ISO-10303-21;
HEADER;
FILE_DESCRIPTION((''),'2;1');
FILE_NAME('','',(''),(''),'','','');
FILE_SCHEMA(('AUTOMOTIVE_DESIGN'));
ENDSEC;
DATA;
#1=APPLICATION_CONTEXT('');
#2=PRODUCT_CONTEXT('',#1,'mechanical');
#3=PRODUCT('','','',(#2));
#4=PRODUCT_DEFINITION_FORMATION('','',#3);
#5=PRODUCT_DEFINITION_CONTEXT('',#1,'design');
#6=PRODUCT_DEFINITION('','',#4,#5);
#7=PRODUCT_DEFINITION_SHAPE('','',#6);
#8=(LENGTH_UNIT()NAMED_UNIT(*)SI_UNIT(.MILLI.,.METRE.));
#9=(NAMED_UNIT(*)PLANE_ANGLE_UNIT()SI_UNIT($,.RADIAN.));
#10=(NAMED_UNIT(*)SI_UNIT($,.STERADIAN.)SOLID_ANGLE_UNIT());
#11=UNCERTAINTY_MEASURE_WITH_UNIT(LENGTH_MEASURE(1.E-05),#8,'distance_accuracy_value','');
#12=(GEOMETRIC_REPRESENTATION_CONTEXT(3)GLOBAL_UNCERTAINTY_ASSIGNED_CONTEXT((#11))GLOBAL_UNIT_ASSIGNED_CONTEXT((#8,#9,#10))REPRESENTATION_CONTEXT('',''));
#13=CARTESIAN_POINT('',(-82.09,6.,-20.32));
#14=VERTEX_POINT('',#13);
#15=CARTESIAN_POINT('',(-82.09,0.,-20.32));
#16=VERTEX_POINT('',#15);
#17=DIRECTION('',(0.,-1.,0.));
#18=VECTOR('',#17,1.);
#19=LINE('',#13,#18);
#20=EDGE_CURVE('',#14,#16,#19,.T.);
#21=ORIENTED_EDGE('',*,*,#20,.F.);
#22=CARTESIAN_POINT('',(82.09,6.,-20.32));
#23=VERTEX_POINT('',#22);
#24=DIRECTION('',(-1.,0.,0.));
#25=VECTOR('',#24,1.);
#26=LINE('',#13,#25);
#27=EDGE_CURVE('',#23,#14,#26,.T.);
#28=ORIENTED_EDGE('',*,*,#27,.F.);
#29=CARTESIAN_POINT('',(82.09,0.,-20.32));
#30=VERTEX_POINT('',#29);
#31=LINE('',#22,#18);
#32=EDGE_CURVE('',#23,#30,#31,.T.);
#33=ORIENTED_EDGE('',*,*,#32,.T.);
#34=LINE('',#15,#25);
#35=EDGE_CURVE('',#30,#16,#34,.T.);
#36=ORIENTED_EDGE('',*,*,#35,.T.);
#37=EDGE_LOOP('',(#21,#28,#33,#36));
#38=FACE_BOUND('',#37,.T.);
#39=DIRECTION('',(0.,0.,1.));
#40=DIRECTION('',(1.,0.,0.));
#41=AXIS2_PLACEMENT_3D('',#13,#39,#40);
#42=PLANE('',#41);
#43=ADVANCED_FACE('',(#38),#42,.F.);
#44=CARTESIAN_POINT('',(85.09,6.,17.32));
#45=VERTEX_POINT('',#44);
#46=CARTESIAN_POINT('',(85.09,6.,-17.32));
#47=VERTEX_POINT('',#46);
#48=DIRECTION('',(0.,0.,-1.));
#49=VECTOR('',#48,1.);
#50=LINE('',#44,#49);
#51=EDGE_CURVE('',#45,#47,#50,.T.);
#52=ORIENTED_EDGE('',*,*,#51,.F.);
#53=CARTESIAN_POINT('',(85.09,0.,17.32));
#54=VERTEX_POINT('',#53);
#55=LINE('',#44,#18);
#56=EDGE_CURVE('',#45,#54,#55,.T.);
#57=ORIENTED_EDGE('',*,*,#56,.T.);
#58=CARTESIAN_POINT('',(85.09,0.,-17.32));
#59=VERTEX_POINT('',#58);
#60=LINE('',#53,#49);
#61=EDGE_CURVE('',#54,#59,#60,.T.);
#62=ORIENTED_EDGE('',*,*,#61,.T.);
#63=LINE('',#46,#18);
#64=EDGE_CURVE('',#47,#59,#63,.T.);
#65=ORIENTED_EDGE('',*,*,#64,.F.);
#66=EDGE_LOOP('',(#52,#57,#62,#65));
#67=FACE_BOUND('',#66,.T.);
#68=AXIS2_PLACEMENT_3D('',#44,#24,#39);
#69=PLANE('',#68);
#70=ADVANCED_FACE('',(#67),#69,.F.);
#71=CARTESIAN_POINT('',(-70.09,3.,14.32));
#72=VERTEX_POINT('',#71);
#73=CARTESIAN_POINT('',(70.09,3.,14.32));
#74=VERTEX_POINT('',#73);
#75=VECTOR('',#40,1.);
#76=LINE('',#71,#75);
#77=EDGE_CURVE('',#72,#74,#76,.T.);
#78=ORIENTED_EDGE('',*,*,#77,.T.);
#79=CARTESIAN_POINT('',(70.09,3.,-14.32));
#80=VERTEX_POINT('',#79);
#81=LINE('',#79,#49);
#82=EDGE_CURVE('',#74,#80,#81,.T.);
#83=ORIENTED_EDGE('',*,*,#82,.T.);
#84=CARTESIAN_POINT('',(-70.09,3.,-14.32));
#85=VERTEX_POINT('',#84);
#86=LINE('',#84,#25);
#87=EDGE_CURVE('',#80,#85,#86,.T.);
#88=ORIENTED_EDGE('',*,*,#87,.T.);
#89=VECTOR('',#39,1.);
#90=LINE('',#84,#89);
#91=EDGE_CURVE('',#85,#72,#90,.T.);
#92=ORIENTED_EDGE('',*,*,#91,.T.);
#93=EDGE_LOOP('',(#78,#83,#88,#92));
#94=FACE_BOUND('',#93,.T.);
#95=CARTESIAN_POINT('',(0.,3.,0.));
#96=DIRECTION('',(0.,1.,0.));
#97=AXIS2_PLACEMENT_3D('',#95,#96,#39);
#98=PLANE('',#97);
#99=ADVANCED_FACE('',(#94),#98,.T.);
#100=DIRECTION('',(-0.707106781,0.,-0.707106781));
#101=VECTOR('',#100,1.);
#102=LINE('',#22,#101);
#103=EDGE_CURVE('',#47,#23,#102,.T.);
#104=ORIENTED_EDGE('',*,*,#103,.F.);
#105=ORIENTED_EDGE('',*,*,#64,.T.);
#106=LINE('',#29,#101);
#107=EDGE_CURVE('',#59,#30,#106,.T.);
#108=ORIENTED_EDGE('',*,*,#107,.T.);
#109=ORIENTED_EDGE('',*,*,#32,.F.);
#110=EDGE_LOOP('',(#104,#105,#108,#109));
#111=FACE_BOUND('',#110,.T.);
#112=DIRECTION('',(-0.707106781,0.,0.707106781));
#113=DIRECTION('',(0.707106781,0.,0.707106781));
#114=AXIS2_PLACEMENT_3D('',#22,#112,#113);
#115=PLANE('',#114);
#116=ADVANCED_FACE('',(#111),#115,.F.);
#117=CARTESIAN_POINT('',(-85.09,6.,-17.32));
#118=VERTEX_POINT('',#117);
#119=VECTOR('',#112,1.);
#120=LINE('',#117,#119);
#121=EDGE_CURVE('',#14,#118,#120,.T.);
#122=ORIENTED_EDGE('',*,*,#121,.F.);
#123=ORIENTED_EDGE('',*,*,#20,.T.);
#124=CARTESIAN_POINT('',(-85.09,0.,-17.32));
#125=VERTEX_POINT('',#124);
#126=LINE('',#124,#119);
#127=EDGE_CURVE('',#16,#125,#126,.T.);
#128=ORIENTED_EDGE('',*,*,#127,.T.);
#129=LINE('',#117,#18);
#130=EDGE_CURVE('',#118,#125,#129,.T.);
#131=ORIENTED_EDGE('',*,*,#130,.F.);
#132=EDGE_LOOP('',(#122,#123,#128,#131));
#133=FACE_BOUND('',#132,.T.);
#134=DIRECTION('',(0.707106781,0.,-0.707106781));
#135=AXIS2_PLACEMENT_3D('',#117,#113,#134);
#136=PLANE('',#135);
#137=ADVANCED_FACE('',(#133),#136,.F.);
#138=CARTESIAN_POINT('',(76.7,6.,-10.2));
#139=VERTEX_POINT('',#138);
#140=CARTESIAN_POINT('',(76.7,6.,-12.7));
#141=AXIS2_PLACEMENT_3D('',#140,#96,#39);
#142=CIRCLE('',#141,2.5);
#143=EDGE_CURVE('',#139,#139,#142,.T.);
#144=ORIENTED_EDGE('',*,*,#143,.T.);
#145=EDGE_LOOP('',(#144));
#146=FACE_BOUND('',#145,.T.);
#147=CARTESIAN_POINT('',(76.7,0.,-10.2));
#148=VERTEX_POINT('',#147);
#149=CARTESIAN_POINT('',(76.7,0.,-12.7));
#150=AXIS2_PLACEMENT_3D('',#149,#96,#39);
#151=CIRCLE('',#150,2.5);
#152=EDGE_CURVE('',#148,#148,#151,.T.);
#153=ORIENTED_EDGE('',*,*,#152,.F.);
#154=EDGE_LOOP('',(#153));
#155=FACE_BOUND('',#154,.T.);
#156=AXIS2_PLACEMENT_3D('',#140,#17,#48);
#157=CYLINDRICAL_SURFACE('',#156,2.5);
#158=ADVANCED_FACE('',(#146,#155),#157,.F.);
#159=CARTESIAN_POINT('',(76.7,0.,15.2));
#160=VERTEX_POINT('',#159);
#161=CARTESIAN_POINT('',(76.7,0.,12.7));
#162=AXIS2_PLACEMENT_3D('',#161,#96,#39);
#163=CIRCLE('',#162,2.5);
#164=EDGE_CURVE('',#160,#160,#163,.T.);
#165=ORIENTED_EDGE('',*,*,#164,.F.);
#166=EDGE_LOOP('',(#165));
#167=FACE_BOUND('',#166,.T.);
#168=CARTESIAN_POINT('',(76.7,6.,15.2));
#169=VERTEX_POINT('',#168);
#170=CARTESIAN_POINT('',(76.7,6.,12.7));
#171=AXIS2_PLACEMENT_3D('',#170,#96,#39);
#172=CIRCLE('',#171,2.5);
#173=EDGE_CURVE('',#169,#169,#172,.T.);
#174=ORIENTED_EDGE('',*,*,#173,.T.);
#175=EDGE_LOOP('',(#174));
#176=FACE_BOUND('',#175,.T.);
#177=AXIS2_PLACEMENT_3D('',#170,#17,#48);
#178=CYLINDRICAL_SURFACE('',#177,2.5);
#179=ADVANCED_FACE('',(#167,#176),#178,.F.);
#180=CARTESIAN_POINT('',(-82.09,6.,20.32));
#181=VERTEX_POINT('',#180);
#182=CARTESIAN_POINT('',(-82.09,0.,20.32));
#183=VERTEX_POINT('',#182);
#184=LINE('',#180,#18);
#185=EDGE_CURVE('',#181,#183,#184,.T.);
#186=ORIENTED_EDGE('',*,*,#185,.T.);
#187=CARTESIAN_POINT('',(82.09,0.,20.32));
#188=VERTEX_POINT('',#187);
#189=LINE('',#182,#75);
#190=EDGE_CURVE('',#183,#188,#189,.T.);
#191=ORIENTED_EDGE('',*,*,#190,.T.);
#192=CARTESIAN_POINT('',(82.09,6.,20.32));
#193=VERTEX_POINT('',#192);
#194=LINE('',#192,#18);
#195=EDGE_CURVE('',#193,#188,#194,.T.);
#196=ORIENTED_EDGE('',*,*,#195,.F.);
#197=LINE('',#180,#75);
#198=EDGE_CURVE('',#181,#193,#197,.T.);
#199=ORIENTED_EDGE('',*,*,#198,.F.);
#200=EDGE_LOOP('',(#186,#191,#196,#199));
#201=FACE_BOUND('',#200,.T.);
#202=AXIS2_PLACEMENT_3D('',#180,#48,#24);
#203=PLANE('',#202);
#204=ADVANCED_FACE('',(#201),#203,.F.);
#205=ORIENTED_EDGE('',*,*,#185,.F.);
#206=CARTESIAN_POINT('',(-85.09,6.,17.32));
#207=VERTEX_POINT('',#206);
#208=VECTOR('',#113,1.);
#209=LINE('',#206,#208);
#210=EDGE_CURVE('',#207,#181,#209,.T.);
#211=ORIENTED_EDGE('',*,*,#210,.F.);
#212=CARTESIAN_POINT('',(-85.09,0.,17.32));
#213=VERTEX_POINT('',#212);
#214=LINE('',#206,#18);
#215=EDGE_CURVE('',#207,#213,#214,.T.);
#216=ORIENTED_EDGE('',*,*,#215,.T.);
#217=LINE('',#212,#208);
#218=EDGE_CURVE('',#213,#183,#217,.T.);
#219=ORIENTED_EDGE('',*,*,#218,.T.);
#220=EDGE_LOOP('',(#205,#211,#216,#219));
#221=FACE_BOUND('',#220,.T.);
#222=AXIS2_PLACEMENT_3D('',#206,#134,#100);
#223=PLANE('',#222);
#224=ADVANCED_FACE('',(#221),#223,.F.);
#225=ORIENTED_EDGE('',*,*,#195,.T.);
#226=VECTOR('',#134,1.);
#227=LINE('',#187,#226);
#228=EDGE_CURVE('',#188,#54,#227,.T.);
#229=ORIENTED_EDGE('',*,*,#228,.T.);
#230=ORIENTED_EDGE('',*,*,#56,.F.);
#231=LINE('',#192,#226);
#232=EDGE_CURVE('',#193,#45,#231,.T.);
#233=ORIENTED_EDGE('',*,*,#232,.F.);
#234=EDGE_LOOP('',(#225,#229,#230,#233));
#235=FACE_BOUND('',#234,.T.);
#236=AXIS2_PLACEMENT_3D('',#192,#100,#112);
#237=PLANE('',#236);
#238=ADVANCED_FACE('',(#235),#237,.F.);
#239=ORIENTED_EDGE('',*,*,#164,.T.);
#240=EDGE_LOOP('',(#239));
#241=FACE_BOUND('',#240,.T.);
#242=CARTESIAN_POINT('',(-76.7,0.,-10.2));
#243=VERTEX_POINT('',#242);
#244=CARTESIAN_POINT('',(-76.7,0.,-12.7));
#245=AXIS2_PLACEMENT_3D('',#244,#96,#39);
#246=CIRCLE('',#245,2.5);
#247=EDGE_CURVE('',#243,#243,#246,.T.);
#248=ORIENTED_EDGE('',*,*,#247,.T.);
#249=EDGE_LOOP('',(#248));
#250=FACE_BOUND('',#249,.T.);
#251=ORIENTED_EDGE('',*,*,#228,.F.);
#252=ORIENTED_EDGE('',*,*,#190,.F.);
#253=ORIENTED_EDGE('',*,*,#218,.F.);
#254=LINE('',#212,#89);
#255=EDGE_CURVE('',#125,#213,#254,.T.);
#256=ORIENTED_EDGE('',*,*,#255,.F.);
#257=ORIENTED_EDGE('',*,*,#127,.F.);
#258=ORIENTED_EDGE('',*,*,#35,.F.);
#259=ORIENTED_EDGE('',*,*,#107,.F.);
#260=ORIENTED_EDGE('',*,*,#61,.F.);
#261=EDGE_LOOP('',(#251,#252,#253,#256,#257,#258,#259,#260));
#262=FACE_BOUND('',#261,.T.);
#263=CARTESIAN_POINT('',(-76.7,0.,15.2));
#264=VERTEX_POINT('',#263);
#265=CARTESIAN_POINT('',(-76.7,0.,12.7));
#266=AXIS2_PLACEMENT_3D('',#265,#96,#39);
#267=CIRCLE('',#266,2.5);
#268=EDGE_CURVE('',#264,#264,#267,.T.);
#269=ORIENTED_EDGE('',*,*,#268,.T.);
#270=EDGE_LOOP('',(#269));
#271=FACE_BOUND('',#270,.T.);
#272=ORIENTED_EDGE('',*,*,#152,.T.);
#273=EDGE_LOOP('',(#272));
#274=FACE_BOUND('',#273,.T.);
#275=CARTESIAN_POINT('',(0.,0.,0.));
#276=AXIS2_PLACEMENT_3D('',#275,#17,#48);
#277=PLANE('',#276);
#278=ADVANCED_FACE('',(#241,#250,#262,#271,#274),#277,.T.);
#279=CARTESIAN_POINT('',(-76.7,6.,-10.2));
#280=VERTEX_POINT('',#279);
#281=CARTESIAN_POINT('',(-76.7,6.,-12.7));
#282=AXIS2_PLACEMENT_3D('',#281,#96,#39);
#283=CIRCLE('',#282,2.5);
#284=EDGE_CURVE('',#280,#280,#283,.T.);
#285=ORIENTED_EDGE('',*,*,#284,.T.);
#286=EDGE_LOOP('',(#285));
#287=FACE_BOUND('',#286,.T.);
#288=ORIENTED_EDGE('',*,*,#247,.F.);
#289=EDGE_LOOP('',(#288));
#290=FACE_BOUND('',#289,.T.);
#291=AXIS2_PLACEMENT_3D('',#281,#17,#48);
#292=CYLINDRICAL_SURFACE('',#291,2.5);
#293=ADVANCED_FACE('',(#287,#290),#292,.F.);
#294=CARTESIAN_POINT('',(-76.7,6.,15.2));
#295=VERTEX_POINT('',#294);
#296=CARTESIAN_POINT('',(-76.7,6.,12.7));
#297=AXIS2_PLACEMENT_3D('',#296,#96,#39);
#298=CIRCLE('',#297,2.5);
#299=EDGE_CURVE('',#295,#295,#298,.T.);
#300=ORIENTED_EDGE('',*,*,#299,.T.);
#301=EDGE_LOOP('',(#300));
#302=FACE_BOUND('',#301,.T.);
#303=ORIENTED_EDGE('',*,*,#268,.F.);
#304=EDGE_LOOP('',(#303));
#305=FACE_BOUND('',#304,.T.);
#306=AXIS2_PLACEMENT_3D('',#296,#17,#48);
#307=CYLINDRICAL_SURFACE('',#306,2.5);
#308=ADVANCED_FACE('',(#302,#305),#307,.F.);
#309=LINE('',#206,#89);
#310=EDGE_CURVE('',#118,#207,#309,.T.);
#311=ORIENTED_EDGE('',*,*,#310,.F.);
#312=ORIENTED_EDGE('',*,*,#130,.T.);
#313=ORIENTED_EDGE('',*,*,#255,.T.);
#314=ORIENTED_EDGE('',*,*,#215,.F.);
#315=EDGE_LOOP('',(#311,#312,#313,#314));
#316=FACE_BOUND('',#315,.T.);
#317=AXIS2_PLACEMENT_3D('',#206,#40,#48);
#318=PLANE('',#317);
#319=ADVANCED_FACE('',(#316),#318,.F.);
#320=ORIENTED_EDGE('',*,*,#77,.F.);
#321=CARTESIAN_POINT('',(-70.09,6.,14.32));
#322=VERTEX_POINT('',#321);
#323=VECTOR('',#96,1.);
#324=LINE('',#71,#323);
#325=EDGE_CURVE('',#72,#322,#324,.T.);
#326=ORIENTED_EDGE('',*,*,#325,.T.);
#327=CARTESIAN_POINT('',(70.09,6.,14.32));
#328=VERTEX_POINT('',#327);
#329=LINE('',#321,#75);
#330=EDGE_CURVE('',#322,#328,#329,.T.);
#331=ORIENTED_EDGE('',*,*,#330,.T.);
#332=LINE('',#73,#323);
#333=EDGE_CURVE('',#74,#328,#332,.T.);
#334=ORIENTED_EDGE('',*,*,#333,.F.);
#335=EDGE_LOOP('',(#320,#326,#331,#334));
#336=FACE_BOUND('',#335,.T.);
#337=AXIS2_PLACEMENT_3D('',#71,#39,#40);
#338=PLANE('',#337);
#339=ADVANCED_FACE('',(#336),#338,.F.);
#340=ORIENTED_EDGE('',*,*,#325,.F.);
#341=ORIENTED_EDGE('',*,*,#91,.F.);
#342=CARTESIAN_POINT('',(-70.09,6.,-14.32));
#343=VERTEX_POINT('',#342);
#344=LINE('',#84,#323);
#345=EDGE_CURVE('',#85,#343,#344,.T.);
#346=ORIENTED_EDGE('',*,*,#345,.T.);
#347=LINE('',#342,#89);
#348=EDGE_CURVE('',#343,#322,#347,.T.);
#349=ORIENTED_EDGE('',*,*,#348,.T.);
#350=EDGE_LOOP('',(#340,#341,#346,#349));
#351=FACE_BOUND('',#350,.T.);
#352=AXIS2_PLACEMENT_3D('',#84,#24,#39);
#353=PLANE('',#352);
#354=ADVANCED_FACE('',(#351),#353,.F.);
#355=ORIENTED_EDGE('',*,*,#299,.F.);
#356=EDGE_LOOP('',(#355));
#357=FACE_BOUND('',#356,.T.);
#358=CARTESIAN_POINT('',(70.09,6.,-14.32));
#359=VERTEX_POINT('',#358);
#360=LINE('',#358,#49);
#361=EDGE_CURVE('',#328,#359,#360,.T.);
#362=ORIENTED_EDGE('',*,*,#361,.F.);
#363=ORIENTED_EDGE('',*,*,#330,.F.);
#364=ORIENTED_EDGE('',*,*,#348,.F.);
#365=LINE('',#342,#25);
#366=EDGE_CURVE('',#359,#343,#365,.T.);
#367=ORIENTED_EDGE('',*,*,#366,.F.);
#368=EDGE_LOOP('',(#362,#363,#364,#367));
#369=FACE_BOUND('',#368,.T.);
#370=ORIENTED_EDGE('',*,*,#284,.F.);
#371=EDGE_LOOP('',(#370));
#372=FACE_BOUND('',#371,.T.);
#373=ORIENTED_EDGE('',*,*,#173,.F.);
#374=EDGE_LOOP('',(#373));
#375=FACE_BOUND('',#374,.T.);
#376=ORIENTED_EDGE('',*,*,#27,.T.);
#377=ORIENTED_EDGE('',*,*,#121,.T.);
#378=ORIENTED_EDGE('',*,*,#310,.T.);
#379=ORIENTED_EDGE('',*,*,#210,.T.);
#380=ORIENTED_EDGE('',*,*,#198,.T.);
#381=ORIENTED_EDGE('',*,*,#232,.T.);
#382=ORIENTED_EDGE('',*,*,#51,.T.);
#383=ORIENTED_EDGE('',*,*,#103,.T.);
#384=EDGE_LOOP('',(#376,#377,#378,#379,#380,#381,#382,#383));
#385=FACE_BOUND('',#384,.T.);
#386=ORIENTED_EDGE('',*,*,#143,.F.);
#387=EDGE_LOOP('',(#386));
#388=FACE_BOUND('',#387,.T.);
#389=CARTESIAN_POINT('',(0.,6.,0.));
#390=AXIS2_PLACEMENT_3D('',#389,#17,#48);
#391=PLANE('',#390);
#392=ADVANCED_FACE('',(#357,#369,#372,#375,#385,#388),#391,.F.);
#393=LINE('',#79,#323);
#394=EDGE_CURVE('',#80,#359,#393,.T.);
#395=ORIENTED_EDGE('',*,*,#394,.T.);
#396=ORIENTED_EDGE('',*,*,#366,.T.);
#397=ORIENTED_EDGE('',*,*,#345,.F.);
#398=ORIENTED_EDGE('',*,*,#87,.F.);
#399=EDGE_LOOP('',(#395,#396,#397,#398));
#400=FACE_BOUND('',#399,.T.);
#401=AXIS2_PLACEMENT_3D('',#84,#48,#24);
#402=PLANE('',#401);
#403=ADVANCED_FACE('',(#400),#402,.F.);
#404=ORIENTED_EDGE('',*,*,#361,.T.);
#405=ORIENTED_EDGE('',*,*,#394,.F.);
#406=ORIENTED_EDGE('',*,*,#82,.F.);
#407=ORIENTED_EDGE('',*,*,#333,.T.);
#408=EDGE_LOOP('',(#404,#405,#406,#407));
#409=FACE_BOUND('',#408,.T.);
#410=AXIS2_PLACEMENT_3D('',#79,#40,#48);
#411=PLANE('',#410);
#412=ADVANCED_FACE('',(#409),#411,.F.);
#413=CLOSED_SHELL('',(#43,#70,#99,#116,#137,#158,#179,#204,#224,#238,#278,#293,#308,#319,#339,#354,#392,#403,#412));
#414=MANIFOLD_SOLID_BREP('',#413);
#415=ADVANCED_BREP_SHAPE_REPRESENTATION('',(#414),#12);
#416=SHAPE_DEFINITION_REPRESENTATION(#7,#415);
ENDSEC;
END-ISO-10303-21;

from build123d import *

# Parameters (mm, degrees)
SKETCH1_R           = 2.5
BOSS_EXTRUDE2_DEPTH = 6
SKETCH2_W           = 140.18
SKETCH2_H           = 28.64
CUT_EXTRUDE1_DEPTH  = 3


with BuildPart() as part:
    # Sketch1 → Boss-Extrude2 (new body)
    with BuildSketch(Plane(origin=(0, 0, 0), x_dir=(1, 0, 0), z_dir=(0, 1, 0))):
        Polygon((-85.09, 17.32), (-82.09, 20.32), (82.09, 20.32), (85.09, 17.32), (85.09, -17.32), (82.09, -20.32), (-82.09, -20.32), (-85.09, -17.32), align=None)
        with Locations(Location((-76.7, 12.7, 0), (0, 0, 270))):
            Circle(SKETCH1_R, mode=Mode.SUBTRACT)
        with Locations(Location((-76.7, -12.7, 0), (0, 0, 270))):
            Circle(SKETCH1_R, mode=Mode.SUBTRACT)
        with Locations(Location((76.7, 12.7, 0), (0, 0, 270))):
            Circle(SKETCH1_R, mode=Mode.SUBTRACT)
        with Locations(Location((76.7, -12.7, 0), (0, 0, 270))):
            Circle(SKETCH1_R, mode=Mode.SUBTRACT)
    extrude(amount=BOSS_EXTRUDE2_DEPTH)

    # Sketch2 → Cut-Extrude1 (cut)
    with BuildSketch(Plane(origin=(0, 6, 0), x_dir=(1, 0, 0), z_dir=(0, 1, 0))):
        Rectangle(SKETCH2_W, SKETCH2_H)
    extrude(amount=-CUT_EXTRUDE1_DEPTH, mode=Mode.SUBTRACT)


solid = part.part
